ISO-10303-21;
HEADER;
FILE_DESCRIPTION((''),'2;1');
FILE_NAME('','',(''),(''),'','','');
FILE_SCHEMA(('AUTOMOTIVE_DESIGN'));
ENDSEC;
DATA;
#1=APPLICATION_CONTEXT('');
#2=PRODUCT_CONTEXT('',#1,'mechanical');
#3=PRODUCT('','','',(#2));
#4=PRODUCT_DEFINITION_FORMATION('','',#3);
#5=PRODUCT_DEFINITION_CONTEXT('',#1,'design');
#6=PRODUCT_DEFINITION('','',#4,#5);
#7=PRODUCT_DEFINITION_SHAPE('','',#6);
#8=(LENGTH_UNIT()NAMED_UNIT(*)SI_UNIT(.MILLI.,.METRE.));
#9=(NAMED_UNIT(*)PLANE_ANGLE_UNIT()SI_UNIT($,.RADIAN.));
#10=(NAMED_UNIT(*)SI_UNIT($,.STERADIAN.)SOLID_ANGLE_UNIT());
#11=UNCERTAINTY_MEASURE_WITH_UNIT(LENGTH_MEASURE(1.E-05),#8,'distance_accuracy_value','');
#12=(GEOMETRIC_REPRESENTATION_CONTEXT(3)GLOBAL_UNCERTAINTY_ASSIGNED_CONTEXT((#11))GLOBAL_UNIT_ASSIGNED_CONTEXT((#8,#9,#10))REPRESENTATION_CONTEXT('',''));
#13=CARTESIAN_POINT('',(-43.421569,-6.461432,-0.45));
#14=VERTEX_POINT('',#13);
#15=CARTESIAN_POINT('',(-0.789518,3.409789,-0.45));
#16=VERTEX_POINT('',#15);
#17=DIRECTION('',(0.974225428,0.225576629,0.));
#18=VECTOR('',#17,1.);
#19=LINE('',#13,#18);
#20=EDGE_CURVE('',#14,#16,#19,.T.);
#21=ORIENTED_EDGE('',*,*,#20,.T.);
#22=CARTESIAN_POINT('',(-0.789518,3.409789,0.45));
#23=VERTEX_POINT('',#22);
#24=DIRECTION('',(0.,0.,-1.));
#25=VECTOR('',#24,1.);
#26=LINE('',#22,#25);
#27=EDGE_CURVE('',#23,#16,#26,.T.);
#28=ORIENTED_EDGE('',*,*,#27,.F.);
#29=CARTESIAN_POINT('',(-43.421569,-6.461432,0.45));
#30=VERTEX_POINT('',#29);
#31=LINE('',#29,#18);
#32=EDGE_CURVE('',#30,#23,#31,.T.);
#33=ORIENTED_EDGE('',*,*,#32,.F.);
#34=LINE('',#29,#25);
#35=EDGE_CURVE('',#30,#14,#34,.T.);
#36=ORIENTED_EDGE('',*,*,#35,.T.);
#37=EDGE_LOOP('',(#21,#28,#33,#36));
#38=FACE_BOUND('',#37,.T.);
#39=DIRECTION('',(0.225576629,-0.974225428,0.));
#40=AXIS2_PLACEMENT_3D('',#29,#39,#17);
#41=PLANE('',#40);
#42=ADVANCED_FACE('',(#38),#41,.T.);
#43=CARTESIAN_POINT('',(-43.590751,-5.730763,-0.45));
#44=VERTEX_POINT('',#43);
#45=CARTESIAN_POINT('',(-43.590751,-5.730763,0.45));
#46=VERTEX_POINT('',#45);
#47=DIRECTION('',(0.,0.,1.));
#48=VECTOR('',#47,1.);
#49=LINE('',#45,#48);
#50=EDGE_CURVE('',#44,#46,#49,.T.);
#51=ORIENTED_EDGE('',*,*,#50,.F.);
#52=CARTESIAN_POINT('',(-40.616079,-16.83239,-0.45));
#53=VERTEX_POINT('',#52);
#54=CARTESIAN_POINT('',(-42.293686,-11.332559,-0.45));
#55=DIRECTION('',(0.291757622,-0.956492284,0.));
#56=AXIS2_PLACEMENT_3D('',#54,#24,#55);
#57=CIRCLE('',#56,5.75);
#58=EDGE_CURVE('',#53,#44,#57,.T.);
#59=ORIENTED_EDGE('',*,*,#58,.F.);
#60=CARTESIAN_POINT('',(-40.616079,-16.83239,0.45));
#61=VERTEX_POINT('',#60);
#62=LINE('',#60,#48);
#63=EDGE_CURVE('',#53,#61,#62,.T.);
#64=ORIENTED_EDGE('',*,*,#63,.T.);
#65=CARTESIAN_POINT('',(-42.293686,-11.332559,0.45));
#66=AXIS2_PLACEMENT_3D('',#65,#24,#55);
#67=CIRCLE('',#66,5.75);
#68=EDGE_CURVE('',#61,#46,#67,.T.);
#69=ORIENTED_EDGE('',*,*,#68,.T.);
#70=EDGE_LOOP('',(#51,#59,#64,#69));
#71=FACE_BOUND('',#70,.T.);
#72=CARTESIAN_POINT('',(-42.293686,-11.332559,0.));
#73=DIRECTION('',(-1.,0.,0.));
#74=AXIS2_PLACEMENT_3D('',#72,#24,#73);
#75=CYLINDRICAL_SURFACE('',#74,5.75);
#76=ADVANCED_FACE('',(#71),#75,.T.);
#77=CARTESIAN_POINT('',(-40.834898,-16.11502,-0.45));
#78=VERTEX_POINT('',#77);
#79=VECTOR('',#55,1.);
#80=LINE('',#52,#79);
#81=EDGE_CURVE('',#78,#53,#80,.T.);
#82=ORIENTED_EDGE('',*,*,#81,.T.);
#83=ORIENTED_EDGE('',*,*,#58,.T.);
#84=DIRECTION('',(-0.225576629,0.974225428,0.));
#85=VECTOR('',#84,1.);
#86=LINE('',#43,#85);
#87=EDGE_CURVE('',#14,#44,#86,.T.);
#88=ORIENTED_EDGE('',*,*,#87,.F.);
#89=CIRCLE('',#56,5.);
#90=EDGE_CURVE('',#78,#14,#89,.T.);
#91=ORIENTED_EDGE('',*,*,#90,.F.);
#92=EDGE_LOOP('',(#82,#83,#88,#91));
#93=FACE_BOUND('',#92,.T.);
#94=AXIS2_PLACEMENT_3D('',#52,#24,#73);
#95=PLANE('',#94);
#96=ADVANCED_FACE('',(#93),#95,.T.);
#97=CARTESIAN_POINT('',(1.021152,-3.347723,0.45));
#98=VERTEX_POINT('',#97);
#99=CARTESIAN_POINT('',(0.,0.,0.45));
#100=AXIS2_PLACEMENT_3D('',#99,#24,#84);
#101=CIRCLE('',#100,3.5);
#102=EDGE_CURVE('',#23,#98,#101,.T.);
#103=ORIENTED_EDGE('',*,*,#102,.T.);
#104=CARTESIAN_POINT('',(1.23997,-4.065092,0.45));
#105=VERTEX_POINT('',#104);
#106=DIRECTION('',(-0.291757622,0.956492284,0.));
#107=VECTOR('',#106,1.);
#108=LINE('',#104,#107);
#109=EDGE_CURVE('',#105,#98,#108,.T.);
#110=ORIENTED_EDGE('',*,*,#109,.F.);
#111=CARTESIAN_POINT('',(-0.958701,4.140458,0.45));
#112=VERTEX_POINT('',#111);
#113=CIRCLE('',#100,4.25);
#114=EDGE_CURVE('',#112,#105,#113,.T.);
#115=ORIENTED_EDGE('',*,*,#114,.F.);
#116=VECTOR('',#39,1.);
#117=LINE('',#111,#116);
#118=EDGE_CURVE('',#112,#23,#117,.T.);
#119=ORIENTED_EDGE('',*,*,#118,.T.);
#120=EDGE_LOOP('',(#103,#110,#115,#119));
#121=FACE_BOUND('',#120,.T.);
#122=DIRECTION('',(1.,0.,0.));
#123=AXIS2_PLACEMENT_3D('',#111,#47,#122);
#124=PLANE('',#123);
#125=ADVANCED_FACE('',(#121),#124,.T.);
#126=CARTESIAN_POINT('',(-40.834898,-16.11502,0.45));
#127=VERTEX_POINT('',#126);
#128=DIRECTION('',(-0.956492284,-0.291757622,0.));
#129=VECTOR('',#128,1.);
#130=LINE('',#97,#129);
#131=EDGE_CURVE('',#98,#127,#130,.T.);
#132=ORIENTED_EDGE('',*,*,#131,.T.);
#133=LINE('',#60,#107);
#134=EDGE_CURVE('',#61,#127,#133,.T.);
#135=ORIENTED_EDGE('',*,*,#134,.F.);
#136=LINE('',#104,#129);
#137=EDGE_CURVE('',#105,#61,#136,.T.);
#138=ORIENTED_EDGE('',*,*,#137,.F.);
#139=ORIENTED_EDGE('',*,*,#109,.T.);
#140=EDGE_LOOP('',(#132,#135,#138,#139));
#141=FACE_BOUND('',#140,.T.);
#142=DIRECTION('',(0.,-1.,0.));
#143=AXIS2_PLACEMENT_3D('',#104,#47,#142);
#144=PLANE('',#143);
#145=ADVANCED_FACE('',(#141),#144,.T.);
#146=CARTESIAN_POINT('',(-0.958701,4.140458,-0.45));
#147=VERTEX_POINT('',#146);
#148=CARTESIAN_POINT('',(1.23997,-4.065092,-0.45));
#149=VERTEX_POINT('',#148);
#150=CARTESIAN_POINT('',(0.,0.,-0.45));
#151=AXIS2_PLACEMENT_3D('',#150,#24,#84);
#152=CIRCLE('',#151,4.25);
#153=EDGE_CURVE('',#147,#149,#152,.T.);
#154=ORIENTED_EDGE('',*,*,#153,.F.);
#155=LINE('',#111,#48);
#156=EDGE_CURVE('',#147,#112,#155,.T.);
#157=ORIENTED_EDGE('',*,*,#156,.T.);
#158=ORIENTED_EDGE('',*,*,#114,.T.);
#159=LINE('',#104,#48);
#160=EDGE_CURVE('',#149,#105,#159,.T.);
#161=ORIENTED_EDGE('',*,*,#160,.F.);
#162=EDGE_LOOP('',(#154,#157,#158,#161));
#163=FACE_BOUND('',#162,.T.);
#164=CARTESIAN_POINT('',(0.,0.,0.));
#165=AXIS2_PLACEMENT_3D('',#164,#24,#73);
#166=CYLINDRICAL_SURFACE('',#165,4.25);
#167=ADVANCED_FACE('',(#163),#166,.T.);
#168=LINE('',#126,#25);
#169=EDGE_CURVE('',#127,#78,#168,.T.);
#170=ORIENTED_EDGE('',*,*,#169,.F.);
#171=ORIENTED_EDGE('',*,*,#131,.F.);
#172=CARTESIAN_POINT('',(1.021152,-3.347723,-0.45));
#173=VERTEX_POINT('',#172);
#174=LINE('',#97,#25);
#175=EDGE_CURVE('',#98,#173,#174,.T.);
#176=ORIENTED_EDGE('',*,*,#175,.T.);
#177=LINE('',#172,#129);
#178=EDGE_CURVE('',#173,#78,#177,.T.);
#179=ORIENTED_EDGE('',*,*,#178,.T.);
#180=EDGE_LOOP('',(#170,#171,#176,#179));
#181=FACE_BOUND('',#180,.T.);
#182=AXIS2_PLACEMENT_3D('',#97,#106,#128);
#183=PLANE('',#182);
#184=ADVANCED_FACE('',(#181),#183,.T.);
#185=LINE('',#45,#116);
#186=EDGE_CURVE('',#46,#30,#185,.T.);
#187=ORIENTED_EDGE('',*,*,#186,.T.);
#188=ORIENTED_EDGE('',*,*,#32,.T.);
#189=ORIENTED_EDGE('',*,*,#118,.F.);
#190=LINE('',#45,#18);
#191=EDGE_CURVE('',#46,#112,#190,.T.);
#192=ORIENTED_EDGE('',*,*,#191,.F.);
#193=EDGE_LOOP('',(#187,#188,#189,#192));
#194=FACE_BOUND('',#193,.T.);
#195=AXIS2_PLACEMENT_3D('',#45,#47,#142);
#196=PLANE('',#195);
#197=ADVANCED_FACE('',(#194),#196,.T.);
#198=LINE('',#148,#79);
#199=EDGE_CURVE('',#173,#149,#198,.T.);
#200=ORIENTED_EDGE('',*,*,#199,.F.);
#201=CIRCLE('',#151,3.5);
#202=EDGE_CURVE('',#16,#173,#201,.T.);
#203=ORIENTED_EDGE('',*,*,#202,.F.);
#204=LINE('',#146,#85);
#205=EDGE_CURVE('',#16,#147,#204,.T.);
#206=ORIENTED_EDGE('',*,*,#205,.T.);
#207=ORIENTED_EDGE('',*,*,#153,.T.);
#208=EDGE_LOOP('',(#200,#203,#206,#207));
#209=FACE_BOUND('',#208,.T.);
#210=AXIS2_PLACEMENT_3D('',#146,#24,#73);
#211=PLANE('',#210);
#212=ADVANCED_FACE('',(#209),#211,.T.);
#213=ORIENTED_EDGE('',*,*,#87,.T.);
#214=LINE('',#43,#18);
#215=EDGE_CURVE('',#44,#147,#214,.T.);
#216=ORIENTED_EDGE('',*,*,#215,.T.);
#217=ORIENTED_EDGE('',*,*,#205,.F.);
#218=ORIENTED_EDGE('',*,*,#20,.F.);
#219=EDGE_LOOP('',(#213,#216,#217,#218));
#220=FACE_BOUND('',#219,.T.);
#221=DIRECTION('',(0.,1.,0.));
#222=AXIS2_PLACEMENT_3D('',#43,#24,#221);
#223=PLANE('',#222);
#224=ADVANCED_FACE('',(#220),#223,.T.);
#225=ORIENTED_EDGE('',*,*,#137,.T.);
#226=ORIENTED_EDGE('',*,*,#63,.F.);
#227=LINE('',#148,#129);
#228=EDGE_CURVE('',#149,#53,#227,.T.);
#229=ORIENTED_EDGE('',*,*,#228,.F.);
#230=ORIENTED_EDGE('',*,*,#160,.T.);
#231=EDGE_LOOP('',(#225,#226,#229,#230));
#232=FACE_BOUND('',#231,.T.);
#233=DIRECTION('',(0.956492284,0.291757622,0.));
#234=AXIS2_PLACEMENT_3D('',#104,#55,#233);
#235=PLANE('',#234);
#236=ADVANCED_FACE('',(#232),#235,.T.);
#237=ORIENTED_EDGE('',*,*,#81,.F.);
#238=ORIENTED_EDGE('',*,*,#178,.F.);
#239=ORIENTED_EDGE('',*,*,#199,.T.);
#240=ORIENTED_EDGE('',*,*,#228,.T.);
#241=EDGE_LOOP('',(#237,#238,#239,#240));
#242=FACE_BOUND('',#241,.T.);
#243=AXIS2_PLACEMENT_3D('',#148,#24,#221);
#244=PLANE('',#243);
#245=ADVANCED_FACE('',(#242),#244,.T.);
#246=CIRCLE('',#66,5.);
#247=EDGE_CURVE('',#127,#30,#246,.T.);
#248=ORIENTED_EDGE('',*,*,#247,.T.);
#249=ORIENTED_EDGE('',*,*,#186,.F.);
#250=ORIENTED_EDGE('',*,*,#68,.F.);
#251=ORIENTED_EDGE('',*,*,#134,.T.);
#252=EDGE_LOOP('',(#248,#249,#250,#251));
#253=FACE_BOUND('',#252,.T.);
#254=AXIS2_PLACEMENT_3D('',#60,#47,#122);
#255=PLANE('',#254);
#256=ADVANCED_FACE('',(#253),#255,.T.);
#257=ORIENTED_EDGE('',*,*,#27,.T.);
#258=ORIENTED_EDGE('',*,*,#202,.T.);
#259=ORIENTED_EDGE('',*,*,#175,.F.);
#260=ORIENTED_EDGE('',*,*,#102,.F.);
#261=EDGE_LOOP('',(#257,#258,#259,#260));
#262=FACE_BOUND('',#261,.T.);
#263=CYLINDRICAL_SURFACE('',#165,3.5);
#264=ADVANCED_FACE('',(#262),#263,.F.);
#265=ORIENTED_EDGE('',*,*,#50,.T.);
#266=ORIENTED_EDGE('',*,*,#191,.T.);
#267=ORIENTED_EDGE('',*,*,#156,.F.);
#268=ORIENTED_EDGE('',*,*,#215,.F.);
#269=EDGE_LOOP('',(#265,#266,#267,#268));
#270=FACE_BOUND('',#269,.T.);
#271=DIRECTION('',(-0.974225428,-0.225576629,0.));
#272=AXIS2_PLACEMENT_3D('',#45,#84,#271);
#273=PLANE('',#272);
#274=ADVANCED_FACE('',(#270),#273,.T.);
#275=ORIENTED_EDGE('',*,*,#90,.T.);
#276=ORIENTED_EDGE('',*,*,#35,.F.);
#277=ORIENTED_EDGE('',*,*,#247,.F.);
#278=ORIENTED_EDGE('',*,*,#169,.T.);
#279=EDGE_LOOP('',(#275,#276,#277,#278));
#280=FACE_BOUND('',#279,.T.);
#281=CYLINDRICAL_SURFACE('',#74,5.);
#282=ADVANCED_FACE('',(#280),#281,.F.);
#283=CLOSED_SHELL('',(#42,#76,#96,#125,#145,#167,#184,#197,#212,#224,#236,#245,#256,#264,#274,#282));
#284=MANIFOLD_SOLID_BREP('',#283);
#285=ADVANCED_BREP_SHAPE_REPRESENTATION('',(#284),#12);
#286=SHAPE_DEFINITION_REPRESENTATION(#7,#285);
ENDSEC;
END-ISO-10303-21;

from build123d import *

# Parameters (mm, degrees)
SKETCH3_W = 0.9
SKETCH3_H = 0.75


with BuildPart() as part:
    # Sweep1: sweep along a path in Sketch2
    with BuildLine(Plane.XY) as sweep1_path:
        Line((1.021151678, -3.347722995), (-40.834897509, -16.115020328))
        ThreePointArc((-40.834897509, -16.115020328), (-47.123314752, -12.626654132), (-43.421568768, -6.461431768))
        Line((-43.421568768, -6.461431768), (-0.789518203, 3.409788997))
        ThreePointArc((-0.789518203, 3.409788997), (3.380740392, 0.905866658), (1.021151678, -3.347722995))
    # Sketch3 → Sweep1 (sweep)
    with BuildSketch(Plane(origin=(-43.421568768, -6.461431768, 0), x_dir=(0, 0, -1), z_dir=(0.9742254278362672, 0.22557662945713677, 0))):
        with Locations((0, 0.375)):
            Rectangle(SKETCH3_W, SKETCH3_H)
    sweep(path=sweep1_path.line)


solid = part.part
